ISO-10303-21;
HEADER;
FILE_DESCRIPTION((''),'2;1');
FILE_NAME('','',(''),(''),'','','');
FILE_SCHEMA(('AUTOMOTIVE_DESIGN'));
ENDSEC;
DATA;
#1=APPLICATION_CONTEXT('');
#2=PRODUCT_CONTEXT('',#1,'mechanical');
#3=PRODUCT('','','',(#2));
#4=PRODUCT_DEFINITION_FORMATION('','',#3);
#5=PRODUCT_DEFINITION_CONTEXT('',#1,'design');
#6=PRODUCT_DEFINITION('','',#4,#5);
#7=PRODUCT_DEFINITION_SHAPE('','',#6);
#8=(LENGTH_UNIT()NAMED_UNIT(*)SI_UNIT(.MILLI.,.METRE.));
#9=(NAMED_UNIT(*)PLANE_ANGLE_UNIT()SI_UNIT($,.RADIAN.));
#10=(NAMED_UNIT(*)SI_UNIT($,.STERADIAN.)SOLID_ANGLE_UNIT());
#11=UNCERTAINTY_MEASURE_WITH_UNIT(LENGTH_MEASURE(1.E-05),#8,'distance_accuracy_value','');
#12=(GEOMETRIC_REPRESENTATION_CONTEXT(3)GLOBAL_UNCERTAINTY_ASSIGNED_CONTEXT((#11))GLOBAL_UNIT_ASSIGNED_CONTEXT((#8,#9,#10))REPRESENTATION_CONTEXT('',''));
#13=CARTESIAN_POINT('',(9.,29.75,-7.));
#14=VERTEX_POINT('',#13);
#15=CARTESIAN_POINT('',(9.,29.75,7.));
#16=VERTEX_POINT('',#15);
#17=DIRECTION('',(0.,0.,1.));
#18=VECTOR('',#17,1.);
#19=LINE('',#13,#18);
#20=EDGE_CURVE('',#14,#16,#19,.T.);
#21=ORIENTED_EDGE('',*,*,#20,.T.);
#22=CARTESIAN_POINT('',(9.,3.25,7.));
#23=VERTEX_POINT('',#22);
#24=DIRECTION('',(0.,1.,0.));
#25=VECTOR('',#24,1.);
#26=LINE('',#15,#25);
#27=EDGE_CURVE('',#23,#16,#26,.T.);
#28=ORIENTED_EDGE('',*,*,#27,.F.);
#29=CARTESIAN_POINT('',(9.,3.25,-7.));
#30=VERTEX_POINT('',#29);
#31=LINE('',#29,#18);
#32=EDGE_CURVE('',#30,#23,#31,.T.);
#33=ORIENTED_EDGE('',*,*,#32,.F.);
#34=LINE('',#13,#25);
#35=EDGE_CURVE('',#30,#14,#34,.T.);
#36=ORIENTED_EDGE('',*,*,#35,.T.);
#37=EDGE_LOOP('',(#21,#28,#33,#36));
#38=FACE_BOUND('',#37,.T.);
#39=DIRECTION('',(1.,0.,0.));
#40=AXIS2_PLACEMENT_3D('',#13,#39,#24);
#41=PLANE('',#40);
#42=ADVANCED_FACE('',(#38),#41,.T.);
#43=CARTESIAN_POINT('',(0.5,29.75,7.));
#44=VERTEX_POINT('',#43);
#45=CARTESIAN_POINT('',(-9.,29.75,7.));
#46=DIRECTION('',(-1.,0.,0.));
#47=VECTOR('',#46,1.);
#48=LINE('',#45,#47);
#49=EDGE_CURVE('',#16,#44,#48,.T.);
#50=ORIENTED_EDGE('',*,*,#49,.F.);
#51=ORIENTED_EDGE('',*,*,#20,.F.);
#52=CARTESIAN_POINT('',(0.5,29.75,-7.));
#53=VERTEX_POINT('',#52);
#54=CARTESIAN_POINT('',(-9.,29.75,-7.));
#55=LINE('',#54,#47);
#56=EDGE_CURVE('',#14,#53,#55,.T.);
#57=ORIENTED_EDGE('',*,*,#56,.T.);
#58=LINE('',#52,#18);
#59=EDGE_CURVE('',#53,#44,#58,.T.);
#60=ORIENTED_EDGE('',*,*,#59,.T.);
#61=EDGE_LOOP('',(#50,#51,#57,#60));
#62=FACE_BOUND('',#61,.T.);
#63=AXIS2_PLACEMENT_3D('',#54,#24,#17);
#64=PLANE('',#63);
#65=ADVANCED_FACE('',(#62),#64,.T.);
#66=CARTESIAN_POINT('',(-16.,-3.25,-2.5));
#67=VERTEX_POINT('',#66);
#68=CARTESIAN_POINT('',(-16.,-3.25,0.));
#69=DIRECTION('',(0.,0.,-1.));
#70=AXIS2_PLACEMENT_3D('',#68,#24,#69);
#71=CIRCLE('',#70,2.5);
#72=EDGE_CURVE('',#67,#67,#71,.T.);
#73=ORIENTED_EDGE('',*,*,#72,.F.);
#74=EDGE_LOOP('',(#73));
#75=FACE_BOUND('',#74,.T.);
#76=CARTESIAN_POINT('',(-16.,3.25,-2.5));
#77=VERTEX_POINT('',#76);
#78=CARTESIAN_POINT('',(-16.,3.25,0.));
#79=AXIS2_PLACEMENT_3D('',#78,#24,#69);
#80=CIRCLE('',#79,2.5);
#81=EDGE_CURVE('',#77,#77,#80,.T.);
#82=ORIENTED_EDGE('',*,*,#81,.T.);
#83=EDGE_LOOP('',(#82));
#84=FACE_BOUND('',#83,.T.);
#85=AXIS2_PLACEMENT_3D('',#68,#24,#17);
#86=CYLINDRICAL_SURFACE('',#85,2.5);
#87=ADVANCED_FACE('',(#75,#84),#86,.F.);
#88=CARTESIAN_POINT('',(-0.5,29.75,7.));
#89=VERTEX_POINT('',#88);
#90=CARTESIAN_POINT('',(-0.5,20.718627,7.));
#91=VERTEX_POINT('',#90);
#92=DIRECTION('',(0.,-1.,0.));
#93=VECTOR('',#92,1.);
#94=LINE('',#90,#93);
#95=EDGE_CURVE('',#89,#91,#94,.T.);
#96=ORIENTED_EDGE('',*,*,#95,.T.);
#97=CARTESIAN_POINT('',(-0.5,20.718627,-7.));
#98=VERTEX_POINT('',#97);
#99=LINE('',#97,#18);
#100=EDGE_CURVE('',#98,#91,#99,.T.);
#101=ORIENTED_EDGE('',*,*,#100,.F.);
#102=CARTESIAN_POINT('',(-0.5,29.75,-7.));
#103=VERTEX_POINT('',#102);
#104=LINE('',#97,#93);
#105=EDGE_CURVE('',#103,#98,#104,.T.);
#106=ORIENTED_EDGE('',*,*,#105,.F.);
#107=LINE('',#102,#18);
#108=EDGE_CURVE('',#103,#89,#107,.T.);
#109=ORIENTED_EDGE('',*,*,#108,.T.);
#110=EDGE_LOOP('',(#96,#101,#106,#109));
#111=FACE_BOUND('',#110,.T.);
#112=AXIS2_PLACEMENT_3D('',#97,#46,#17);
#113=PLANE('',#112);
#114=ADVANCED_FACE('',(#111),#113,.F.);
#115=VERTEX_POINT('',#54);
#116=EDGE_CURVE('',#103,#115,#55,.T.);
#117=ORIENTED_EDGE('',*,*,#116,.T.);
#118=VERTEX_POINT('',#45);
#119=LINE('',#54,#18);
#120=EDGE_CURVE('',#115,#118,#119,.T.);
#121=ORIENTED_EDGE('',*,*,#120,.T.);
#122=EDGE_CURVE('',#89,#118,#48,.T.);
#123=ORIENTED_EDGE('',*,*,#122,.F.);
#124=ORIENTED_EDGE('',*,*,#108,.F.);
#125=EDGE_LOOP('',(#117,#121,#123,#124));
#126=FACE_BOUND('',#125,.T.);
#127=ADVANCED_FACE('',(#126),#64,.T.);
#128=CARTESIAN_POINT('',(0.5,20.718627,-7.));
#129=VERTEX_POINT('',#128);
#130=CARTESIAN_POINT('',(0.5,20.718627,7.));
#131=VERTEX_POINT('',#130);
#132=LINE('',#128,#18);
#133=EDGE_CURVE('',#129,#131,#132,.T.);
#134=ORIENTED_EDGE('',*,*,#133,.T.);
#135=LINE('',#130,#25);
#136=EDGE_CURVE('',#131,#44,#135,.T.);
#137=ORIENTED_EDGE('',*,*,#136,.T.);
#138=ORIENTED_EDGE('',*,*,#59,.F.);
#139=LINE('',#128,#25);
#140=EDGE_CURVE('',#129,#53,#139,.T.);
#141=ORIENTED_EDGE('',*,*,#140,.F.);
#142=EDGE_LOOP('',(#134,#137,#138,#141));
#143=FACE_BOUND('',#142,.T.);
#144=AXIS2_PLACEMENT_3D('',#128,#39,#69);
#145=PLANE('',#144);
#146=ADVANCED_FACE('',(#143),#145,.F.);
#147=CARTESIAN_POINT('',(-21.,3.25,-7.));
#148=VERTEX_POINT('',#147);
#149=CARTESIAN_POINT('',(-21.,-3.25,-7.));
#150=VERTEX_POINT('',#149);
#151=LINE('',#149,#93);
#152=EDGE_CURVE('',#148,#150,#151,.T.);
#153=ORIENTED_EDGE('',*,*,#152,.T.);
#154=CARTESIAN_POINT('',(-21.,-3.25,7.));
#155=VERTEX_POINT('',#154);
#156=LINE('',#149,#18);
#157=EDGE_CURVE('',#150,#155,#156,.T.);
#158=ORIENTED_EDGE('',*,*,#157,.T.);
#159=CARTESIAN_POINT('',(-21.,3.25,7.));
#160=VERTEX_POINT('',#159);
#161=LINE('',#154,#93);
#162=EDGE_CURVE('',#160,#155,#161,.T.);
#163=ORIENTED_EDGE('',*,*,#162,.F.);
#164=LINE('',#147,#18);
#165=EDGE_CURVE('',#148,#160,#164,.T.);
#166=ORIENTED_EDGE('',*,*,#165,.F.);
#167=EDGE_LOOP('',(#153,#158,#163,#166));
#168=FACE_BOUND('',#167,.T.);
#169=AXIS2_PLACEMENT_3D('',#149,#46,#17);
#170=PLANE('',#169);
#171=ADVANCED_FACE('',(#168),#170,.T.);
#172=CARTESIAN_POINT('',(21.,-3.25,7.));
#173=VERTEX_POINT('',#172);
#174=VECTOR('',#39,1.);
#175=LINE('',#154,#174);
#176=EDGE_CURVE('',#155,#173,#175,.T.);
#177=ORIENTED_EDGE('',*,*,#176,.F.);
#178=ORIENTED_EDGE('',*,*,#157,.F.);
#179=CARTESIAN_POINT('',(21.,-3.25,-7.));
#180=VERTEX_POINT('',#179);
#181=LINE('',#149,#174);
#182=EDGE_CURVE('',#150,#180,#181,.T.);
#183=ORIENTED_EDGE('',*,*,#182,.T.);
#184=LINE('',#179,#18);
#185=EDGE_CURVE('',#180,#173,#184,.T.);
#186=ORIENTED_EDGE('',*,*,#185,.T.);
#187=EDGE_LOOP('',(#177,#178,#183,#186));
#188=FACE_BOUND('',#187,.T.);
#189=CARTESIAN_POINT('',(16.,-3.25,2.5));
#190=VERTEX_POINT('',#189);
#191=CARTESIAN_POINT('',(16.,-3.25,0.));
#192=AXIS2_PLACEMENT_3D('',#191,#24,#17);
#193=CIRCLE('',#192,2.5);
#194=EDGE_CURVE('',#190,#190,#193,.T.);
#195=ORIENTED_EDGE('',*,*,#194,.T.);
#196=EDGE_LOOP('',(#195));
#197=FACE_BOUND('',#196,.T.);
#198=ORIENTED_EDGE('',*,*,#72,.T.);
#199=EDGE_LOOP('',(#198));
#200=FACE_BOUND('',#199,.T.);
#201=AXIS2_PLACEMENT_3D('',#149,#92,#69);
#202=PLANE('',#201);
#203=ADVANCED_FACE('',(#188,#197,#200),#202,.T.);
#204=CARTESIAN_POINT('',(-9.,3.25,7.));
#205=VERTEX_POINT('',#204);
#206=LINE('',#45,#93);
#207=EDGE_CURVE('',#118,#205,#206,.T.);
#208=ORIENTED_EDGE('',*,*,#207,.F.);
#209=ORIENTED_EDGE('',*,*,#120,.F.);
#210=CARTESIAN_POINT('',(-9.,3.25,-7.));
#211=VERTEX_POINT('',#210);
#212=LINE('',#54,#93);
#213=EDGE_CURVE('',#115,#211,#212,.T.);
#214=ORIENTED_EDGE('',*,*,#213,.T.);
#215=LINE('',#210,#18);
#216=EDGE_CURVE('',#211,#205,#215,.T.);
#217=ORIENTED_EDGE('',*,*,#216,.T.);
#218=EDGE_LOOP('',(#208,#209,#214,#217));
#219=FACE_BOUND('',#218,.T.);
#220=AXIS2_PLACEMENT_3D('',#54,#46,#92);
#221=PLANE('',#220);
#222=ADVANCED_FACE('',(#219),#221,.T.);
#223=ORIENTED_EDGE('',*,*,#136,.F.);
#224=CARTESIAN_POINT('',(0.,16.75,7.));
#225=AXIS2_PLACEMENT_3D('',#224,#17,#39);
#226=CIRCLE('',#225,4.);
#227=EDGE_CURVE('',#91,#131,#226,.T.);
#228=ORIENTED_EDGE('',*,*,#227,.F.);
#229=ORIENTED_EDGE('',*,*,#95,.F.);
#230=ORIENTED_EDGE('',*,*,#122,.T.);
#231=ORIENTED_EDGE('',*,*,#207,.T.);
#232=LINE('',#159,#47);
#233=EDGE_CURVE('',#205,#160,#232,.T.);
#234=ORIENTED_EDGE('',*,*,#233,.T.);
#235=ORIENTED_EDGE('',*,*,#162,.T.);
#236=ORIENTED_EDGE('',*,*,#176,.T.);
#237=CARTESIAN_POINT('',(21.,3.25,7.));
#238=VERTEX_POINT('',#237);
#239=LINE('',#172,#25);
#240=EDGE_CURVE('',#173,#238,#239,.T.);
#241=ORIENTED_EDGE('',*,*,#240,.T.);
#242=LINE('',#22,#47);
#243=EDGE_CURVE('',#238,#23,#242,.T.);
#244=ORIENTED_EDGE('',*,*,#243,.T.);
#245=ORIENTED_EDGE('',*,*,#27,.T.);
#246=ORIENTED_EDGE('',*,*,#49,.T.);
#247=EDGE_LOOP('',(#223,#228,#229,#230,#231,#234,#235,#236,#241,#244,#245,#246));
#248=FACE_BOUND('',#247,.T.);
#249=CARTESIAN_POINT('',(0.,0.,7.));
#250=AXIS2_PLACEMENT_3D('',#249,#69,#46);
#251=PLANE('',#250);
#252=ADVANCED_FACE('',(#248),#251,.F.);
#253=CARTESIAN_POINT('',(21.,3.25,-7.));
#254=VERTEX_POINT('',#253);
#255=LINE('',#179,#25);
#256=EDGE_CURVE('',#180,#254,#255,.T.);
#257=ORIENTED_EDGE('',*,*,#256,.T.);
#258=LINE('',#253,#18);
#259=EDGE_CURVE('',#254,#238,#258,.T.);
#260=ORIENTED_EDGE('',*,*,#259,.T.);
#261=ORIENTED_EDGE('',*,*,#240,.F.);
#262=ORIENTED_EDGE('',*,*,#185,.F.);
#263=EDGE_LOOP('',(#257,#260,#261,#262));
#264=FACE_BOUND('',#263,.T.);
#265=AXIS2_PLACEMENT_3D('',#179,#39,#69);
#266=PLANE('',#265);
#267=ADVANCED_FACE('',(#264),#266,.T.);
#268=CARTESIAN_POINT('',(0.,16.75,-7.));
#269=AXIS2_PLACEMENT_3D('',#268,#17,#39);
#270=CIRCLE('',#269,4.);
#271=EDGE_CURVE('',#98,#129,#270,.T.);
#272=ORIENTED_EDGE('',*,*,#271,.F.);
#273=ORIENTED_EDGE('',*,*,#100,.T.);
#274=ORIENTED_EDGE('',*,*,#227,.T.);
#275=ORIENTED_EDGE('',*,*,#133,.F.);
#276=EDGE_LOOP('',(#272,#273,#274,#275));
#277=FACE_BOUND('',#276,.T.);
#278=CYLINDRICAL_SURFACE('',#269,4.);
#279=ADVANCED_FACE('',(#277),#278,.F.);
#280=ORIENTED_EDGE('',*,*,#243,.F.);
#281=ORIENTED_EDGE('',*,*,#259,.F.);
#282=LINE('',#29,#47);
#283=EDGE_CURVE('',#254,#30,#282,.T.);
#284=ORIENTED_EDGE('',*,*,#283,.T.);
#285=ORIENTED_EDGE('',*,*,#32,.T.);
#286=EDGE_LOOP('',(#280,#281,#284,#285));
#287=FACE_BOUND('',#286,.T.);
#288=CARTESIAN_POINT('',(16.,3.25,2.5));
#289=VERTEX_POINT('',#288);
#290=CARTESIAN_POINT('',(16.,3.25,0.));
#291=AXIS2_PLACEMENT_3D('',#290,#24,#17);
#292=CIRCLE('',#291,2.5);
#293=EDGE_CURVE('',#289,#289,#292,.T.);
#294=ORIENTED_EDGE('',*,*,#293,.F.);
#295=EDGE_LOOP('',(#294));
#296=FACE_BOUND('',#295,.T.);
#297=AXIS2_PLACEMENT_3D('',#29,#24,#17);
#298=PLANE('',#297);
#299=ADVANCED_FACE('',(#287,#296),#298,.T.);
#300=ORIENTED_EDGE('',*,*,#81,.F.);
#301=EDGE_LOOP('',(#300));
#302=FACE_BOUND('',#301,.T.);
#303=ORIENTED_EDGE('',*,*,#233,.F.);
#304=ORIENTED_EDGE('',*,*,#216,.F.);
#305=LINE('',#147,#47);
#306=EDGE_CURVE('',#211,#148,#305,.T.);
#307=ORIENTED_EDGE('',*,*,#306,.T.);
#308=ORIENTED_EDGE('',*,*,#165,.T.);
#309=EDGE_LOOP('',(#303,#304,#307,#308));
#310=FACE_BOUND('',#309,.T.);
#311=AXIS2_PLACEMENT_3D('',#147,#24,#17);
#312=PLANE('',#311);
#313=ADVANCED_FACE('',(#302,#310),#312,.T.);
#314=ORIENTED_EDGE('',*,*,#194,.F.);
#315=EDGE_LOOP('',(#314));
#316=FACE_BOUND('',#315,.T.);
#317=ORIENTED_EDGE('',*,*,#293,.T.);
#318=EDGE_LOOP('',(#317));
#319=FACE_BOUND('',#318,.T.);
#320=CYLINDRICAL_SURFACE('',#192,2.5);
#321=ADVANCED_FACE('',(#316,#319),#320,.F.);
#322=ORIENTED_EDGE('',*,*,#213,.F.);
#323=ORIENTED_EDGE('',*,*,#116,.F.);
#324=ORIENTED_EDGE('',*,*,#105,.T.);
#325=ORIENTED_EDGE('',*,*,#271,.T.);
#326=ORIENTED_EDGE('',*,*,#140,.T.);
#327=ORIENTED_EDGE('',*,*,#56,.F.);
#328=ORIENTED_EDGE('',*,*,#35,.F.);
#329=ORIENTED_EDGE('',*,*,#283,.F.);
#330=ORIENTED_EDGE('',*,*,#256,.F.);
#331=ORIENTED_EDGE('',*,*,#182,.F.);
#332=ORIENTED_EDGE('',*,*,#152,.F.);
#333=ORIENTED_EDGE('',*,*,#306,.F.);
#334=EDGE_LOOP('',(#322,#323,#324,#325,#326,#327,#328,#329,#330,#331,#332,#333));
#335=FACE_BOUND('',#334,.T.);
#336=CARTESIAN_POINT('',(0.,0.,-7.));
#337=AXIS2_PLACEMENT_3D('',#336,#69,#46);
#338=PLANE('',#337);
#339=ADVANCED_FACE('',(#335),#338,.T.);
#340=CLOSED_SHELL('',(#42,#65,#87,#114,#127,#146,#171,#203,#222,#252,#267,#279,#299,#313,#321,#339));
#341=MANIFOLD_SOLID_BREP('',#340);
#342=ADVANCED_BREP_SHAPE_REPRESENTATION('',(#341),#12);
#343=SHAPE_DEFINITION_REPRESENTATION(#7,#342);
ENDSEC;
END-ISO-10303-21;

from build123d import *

# Parameters (mm, degrees)
BOSS_EXTRUDE1_DEPTH      = 7
BOSS_EXTRUDE1_DEPTH_BACK = 7
CUT_EXTRUDE1_DEPTH       = 40.013619417
SKETCH3_R                = 2.5
CUT_EXTRUDE2_DEPTH       = 35.528973341


with BuildPart() as part:
    # Sketch1 → Boss-Extrude1 (new, two sides: drawn at the far end of the back side and taken through both)
    with BuildSketch(Plane.XY.offset(-BOSS_EXTRUDE1_DEPTH_BACK)):
        Polygon((9, 3.25), (21, 3.25), (21, -3.25), (-21, -3.25), (-21, 3.25), (-9, 3.25), (-9, 29.75), (9, 29.75), align=None)
    extrude(amount=BOSS_EXTRUDE1_DEPTH + BOSS_EXTRUDE1_DEPTH_BACK)

    # Sketch2 → Cut-Extrude1 (cut, through all)
    with BuildSketch(Plane.XY.offset(7)):
        with BuildLine():
            Line((-0.5, 20.718626967), (-0.5, 29.75))
            Line((-0.5, 29.75), (0.5, 29.75))
            Line((0.5, 29.75), (0.5, 20.718626967))
            ThreePointArc((0.5, 20.718626967), (0, 12.75), (-0.5, 20.718626967))
        make_face()
    extrude(amount=-CUT_EXTRUDE1_DEPTH, mode=Mode.SUBTRACT)

    # Sketch3 → Cut-Extrude2 (cut, through all)
    with BuildSketch(Plane(origin=(0, 3.25, 0), x_dir=(1, 0, 0), z_dir=(0, 1, 0))):
        with Locations((16, 0)):
            Circle(SKETCH3_R)
        with Locations((-16, 0)):
            Circle(SKETCH3_R)
    extrude(amount=-CUT_EXTRUDE2_DEPTH, mode=Mode.SUBTRACT)


solid = part.part
